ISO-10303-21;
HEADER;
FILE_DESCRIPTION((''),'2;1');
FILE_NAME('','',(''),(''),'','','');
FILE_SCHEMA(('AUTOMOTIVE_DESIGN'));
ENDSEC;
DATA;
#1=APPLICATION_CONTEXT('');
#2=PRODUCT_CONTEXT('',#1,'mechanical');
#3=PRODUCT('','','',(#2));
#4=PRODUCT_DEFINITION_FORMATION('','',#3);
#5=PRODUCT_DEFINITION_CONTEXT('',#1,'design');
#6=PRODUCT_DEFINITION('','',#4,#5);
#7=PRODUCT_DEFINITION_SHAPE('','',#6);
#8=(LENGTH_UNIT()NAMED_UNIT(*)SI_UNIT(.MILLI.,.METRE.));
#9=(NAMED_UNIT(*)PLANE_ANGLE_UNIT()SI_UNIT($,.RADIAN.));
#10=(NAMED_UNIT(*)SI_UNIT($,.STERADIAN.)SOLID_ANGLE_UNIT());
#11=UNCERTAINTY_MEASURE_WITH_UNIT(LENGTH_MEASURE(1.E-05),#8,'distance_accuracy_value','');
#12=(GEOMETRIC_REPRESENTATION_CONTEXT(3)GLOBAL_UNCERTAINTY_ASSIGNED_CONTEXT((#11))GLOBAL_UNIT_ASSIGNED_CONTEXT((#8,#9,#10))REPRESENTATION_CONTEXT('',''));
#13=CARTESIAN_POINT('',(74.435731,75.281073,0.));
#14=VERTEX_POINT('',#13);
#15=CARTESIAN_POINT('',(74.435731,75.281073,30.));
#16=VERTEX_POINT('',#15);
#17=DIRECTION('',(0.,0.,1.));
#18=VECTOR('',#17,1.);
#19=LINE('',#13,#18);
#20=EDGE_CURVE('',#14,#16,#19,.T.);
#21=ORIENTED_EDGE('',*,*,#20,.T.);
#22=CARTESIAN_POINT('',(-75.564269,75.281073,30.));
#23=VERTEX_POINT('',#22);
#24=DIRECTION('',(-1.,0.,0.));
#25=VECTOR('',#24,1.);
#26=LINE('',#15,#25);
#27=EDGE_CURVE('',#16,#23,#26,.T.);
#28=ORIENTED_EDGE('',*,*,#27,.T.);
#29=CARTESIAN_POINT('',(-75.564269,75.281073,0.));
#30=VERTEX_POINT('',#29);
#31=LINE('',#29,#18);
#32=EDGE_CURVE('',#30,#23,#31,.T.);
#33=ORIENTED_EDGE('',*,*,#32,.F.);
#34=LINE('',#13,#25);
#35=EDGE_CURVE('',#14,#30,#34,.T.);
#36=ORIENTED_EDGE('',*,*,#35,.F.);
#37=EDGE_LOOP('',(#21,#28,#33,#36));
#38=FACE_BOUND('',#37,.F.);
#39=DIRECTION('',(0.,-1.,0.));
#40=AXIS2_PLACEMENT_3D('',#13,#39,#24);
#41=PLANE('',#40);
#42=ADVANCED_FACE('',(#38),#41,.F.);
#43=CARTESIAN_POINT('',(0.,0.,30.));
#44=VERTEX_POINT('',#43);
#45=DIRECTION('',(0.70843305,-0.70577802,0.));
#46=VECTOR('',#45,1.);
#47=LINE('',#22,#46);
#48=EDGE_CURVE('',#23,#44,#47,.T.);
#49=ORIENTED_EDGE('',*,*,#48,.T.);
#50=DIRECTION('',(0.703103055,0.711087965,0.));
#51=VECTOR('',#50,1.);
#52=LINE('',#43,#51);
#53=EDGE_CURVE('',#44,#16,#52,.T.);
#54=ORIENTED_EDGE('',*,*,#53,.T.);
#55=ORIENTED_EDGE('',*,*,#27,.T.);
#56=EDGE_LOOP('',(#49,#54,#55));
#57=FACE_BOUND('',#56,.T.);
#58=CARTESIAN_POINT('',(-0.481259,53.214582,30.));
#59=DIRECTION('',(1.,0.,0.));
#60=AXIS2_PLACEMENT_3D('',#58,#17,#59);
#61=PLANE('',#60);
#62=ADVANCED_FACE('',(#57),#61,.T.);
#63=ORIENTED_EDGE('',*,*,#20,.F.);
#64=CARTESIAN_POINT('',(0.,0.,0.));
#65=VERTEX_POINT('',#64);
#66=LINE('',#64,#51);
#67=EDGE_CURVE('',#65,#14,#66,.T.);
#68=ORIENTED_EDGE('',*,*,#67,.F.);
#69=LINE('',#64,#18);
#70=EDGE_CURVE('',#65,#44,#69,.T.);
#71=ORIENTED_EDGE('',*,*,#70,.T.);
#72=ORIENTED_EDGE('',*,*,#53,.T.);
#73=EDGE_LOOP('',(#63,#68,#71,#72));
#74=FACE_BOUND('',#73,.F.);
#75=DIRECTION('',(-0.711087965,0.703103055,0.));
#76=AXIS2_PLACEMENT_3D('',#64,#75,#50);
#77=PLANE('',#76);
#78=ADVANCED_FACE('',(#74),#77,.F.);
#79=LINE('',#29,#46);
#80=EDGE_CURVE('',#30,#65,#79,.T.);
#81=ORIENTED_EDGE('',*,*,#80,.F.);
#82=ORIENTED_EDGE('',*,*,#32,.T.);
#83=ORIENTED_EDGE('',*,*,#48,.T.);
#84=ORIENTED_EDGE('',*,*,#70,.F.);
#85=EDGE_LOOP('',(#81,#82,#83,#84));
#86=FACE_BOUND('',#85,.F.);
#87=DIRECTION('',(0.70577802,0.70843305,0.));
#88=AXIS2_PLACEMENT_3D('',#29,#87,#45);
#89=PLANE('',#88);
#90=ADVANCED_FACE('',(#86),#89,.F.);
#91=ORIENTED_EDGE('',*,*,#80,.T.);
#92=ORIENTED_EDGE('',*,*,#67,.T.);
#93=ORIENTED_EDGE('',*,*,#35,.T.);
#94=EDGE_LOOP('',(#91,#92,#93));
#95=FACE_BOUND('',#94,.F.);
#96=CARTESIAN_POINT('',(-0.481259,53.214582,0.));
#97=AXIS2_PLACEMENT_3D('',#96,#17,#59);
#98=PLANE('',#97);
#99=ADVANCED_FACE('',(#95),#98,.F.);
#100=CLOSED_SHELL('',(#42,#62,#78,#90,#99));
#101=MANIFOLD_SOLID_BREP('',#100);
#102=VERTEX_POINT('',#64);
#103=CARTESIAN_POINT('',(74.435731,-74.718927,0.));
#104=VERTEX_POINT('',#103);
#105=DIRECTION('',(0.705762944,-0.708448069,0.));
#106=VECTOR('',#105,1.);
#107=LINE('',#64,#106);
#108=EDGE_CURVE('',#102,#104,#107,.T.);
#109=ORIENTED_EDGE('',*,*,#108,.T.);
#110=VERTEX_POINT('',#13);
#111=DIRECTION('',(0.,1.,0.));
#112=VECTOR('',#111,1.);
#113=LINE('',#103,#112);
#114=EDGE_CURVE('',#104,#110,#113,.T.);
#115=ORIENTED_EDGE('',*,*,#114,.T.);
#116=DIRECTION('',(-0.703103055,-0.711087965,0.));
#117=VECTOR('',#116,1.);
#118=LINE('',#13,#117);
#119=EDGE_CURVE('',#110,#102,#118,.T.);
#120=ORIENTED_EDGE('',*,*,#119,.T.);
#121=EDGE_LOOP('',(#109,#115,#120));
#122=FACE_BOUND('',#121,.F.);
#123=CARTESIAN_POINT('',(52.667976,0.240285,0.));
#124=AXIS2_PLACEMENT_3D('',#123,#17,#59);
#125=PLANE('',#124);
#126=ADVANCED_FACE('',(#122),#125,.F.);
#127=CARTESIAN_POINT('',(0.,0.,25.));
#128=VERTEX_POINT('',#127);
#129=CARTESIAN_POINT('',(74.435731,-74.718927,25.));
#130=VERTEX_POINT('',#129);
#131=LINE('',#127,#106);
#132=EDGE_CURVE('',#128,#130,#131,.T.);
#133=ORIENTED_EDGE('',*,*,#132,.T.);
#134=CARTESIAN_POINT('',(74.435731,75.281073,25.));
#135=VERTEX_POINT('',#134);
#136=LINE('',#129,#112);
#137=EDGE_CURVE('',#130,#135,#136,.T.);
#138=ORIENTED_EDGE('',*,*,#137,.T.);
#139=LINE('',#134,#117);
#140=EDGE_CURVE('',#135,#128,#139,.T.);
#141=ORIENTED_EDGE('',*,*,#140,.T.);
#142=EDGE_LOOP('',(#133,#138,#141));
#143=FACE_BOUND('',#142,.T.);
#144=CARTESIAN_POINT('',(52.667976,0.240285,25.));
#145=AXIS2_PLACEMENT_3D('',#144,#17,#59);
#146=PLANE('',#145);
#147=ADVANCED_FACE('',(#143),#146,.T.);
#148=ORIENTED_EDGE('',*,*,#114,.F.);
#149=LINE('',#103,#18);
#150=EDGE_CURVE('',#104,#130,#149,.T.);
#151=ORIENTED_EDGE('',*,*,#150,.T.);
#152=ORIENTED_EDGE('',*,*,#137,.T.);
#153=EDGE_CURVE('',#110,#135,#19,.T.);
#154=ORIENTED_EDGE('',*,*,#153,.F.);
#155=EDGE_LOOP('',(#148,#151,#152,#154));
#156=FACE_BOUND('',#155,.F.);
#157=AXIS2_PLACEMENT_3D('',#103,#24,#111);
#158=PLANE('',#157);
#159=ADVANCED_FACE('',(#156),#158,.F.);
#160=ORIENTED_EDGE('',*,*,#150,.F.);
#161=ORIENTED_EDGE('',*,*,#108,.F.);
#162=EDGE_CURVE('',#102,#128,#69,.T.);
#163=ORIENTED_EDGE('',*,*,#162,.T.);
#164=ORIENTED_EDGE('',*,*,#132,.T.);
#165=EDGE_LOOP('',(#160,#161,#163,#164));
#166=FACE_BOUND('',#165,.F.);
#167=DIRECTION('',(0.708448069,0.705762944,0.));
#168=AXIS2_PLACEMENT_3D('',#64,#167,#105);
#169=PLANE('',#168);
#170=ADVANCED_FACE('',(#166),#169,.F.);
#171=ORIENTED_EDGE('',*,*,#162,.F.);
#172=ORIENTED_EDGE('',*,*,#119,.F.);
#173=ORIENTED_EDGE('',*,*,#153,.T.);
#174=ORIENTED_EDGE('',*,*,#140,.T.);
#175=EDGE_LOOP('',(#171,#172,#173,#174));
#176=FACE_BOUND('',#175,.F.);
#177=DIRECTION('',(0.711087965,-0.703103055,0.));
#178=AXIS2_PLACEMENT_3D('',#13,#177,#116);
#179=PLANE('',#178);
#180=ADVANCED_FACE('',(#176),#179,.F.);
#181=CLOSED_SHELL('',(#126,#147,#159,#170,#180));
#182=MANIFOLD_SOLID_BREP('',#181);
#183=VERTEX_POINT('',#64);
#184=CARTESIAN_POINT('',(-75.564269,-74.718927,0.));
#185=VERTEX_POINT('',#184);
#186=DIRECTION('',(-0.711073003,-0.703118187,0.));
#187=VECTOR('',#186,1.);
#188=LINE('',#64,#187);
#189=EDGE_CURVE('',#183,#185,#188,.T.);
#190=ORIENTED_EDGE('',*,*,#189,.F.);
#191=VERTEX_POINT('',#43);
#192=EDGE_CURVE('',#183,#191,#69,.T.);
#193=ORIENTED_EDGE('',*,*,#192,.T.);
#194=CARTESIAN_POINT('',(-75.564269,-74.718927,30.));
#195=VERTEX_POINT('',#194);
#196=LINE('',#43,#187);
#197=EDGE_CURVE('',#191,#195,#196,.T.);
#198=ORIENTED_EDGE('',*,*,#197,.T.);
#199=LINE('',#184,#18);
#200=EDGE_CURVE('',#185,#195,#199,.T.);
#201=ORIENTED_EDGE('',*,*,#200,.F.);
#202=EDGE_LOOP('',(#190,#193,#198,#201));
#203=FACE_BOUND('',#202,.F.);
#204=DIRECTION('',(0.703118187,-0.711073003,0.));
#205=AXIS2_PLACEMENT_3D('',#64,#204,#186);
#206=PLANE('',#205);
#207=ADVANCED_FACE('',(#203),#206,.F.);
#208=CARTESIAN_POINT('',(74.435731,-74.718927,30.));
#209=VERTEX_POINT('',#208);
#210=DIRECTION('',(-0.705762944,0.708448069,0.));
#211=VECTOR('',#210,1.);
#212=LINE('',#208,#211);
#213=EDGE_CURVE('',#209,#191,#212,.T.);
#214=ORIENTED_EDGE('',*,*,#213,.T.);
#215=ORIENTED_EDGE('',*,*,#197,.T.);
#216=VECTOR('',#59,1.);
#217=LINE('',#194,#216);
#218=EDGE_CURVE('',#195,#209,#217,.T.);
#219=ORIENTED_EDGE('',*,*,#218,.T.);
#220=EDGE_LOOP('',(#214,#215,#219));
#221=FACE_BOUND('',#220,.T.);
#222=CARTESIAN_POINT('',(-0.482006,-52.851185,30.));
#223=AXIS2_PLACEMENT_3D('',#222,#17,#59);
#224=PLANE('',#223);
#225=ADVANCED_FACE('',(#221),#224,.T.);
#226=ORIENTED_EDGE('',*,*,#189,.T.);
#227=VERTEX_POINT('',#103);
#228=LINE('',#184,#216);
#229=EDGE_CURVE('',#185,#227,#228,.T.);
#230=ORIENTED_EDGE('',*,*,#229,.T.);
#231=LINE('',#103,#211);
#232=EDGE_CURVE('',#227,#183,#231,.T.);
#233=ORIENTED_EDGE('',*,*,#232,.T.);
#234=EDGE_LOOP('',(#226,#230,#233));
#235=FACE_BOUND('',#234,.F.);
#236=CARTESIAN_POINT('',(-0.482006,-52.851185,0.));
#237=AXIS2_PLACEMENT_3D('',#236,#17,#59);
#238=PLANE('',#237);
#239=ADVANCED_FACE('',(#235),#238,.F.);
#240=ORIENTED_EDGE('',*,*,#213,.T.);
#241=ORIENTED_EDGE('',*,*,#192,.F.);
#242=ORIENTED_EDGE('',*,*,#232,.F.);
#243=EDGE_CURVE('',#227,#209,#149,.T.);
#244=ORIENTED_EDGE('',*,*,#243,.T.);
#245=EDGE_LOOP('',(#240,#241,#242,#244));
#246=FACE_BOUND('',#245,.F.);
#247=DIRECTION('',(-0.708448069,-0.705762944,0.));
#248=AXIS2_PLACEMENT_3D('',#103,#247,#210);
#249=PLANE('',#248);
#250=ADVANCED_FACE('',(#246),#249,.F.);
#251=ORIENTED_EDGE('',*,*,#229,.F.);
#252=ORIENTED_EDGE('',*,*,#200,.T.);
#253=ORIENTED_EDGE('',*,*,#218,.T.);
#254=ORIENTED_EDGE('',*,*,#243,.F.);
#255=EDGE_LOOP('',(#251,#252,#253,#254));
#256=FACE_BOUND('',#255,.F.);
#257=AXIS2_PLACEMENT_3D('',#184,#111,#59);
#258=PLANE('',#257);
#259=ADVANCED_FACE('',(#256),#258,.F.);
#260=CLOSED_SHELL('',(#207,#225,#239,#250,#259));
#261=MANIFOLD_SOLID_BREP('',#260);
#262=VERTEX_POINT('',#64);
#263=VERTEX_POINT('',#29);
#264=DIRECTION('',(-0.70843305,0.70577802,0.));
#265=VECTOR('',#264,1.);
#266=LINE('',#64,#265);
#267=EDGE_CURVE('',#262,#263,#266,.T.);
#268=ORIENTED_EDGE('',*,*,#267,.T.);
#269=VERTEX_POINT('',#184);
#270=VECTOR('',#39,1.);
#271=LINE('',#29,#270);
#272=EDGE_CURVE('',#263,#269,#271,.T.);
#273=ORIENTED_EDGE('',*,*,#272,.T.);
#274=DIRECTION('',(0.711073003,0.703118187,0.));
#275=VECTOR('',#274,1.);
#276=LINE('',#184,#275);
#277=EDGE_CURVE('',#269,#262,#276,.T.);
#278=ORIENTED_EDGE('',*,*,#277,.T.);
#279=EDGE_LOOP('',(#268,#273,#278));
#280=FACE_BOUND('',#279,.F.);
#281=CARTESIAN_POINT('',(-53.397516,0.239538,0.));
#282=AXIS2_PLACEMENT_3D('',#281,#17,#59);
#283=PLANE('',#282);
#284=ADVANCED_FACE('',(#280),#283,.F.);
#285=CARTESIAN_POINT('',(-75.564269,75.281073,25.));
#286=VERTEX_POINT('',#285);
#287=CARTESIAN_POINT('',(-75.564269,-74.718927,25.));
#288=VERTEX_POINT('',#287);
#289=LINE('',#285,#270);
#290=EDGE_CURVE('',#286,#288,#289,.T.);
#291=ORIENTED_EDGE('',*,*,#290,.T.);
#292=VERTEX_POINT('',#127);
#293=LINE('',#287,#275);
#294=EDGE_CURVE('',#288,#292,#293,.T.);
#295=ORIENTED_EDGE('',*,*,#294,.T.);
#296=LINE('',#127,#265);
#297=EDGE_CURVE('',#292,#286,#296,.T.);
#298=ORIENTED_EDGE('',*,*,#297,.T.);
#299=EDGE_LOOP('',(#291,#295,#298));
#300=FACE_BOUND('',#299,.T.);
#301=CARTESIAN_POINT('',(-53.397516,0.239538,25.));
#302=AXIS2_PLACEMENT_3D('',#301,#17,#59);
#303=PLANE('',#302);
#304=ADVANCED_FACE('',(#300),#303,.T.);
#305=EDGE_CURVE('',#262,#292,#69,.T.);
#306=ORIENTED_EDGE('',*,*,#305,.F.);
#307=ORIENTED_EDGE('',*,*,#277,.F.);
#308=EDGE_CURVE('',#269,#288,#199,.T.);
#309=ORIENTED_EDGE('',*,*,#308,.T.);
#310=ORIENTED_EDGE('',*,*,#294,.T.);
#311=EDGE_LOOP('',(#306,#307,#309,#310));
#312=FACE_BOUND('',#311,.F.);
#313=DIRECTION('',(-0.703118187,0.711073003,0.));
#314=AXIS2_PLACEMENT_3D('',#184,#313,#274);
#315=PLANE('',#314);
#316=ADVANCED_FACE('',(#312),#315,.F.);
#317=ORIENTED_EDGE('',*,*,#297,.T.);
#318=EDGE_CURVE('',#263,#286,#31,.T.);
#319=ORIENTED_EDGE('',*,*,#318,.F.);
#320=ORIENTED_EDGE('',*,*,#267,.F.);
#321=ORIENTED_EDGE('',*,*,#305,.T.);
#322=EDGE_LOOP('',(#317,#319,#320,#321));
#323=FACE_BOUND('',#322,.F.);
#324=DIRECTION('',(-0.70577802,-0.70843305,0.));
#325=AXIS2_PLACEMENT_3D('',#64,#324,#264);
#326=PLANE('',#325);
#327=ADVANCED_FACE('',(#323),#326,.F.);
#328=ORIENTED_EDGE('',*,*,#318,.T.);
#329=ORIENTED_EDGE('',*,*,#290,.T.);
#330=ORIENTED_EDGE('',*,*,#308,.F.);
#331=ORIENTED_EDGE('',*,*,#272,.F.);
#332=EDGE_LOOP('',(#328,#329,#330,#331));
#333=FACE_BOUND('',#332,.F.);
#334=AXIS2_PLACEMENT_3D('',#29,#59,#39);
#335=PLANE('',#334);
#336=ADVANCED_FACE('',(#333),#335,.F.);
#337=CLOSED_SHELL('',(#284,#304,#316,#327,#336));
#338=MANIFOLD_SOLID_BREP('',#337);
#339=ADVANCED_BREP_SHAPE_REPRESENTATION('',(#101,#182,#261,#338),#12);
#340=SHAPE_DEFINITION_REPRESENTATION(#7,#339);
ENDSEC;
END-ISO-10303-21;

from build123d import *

# Parameters (mm, degrees)
F1_DEPTH = 30
F2_DEPTH = 30
F3_DEPTH = 25
F4_DEPTH = 25


with BuildPart() as f1:
    # F0 (on Top) → F1 (new body)
    with BuildSketch(Plane.XY):
        Polygon((0, 0), (-75.564269, -74.718927), (74.435731, -74.718927), align=None)
    extrude(amount=F1_DEPTH)


with BuildPart() as f2:
    # F0 (on Top) → F2 (new body)
    with BuildSketch(Plane.XY):
        Polygon((74.435731, 75.281073), (-75.564269, 75.281073), (0, 0), align=None)
    extrude(amount=F2_DEPTH)


with BuildPart() as f3:
    # F0 (on Top) → F3 (new body)
    with BuildSketch(Plane.XY):
        Polygon((0, 0), (-75.564269, 75.281073), (-75.564269, -74.718927), align=None)
    extrude(amount=F3_DEPTH)


with BuildPart() as f4:
    # F0 (on Top) → F4 (new body)
    with BuildSketch(Plane.XY):
        Polygon((74.435731, -74.718927), (74.435731, 75.281073), (0, 0), align=None)
    extrude(amount=F4_DEPTH)


solid = Compound([f1.part, f2.part, f3.part, f4.part])
